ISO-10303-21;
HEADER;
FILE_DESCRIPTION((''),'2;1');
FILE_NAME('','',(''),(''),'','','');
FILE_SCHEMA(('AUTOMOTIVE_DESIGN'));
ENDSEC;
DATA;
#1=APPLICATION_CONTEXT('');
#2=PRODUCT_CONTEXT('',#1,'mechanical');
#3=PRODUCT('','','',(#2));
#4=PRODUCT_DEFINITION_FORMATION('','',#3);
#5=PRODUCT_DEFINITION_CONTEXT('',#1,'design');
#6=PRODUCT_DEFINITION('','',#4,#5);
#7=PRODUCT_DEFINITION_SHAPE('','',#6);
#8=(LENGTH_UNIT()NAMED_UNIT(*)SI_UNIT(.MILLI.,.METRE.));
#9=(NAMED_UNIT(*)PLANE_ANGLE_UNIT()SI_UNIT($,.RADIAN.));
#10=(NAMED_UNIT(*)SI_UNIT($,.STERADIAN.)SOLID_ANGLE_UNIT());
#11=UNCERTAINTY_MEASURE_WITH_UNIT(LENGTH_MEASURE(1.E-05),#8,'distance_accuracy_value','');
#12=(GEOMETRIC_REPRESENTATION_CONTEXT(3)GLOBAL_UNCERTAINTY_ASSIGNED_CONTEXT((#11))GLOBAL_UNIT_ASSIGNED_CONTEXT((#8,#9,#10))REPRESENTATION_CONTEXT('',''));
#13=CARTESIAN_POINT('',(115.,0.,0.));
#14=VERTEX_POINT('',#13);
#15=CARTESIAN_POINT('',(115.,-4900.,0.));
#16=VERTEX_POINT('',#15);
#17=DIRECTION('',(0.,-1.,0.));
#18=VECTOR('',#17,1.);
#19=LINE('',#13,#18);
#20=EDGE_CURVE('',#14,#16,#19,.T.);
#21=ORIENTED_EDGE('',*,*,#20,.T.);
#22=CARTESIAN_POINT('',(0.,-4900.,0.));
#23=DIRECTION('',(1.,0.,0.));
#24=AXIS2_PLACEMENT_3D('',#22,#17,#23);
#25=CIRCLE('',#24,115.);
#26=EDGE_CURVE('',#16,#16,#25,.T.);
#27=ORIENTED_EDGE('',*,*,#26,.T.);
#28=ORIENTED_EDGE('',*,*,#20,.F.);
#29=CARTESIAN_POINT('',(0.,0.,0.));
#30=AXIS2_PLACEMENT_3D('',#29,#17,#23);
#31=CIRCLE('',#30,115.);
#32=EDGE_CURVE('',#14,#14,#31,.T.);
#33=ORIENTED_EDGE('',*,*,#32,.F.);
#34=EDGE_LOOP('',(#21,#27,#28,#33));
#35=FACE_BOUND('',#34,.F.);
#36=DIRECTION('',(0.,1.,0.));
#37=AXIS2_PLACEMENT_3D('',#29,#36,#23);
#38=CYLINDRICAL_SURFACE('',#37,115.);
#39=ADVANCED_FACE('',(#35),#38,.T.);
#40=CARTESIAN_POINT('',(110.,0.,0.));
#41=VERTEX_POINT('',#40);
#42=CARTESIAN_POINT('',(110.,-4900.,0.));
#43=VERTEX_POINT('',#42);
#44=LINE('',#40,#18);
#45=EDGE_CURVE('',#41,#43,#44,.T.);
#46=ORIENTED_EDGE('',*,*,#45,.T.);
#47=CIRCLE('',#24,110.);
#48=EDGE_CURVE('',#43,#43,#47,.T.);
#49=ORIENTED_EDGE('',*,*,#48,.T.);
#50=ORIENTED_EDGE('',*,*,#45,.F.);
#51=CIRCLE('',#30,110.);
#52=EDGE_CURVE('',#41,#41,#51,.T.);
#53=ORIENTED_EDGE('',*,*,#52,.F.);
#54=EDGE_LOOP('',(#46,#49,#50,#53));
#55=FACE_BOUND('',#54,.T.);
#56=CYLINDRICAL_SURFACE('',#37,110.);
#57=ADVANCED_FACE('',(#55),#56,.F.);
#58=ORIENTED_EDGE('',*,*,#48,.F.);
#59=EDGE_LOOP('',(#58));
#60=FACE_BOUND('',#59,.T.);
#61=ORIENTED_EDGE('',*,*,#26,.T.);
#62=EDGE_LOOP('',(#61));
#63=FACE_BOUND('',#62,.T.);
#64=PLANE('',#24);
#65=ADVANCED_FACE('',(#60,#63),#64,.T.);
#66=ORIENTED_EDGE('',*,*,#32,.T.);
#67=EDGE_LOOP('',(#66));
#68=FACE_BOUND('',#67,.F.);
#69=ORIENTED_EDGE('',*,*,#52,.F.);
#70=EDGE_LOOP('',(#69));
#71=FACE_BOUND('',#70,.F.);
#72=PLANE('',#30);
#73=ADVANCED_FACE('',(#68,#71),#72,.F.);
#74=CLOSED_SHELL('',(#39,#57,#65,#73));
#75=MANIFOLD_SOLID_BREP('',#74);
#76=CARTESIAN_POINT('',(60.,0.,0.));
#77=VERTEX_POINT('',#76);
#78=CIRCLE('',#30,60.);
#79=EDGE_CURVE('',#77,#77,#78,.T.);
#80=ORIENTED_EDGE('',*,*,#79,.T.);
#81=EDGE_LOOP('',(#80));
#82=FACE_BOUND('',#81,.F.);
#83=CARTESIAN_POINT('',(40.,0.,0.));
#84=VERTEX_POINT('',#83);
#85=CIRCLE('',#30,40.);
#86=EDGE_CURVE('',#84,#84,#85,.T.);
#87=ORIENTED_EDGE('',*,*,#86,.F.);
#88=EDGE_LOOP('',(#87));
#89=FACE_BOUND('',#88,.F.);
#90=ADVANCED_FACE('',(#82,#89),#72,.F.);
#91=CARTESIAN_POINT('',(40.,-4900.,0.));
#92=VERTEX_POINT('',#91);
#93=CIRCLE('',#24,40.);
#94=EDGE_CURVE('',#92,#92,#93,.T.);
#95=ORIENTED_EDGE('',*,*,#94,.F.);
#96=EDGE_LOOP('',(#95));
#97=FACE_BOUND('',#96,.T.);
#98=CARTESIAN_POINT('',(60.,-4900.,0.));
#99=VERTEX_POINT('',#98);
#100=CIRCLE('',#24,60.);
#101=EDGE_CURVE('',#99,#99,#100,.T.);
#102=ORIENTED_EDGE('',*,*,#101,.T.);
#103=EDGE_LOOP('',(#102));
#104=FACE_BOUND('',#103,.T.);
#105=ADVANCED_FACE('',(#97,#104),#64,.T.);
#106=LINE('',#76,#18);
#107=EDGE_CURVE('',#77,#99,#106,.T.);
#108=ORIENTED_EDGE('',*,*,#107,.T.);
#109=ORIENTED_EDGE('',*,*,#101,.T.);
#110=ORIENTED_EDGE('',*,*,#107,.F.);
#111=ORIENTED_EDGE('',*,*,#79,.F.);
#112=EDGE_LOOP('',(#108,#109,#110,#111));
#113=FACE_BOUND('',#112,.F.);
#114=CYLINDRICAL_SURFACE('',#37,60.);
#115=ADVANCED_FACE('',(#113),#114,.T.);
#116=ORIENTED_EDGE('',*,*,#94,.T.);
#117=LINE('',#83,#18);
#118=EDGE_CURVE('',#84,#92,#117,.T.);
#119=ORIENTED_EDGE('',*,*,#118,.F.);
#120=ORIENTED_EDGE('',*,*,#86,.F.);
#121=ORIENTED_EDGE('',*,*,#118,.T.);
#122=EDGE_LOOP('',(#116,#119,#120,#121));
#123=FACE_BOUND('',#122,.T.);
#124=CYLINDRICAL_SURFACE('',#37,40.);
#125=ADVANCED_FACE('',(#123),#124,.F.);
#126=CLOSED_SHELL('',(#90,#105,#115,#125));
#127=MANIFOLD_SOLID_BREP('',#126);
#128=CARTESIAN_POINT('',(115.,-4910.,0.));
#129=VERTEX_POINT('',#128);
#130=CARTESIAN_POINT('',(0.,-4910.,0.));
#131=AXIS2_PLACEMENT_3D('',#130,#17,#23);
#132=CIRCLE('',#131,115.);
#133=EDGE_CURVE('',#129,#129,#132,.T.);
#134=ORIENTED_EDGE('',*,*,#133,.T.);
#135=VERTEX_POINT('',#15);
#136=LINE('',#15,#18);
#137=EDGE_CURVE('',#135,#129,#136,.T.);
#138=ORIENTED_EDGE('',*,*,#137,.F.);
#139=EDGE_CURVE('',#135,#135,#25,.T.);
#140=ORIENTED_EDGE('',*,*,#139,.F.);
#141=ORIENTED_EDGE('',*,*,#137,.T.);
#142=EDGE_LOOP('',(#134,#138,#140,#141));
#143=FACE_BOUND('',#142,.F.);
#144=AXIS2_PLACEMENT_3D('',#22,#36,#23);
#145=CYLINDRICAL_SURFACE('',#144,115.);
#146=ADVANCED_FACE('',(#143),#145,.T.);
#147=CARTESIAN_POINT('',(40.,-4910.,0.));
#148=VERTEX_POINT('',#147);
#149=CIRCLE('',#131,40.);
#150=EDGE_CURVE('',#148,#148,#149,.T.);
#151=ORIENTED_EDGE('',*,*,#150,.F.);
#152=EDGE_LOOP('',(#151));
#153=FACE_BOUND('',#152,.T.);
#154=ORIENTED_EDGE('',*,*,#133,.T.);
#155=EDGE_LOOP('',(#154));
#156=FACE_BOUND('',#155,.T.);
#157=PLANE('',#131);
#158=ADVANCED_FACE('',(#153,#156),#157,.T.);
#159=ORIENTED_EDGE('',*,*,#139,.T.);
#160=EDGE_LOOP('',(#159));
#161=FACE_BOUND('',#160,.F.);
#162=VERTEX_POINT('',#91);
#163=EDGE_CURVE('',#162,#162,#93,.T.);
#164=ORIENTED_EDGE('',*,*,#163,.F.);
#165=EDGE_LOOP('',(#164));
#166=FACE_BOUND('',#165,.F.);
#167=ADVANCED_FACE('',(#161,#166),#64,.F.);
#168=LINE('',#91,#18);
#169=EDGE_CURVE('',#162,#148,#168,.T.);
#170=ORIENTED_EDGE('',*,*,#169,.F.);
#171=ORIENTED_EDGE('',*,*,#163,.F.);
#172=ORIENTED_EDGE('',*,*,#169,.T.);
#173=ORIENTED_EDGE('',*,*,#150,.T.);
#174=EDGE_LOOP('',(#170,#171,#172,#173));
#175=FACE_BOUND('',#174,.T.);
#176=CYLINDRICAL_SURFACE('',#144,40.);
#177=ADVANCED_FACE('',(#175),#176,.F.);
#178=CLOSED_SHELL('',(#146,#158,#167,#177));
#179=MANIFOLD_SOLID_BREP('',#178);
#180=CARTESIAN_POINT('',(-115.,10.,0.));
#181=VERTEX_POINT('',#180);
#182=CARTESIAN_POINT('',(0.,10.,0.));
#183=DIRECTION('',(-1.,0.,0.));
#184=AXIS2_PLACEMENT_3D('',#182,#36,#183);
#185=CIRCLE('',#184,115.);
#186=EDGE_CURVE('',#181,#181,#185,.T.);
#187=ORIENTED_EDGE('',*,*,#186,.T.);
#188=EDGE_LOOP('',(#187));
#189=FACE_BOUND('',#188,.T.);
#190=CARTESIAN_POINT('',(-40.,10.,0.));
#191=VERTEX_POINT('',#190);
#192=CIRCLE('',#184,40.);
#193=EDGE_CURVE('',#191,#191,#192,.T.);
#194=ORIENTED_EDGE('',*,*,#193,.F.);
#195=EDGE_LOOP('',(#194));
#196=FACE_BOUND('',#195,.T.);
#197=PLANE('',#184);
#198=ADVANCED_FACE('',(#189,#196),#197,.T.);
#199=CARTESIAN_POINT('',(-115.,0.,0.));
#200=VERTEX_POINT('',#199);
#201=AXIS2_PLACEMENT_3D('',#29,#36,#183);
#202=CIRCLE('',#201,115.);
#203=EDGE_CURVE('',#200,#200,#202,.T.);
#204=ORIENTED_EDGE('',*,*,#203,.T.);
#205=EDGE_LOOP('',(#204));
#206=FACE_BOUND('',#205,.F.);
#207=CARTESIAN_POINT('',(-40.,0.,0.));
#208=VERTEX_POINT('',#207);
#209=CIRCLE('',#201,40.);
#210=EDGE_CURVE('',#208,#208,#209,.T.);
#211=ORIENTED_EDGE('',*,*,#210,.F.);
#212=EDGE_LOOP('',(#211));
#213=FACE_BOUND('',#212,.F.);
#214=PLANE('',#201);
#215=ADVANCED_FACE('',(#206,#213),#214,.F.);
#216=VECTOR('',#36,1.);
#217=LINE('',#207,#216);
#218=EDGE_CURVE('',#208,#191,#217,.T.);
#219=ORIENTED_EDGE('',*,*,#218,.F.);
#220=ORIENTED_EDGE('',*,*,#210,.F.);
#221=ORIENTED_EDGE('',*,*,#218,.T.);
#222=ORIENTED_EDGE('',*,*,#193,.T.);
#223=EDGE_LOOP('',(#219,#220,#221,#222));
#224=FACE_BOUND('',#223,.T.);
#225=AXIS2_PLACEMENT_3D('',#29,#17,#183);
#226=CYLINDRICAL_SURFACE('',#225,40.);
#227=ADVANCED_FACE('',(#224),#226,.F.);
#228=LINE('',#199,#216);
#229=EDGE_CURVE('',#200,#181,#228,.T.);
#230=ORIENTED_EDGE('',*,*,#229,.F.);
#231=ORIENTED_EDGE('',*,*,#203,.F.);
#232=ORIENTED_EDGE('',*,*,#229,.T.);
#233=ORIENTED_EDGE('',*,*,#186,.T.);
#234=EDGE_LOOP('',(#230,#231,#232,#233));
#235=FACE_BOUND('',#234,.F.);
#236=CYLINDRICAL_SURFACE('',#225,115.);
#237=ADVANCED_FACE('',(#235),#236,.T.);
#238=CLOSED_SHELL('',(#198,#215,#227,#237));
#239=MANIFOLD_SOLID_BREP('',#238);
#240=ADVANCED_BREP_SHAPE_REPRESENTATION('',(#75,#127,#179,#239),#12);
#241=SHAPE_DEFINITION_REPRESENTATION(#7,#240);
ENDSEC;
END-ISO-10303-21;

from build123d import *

# Parameters (mm, degrees)
F0_R     = 60
F0_R_2   = 40
F1_DEPTH = 4900
F0_R_3   = 115
F0_R_4   = 110
F2_R     = 115
F2_R_2   = 40
F3_DEPTH = 10
F4_R     = 115
F4_R_2   = 40
F5_DEPTH = 10


with BuildPart() as f1:
    # F0 (on Front) → F1 (new body)
    with BuildSketch(Plane.XZ):
        Circle(F0_R)
        Circle(F0_R_2, mode=Mode.SUBTRACT)
    extrude(amount=F1_DEPTH)


with BuildPart() as f1b:
    # F0 (on Front) → F1, piece 2 (new body)
    with BuildSketch(Plane.XZ):
        Circle(F0_R_3)
        Circle(F0_R_4, mode=Mode.SUBTRACT)
    extrude(amount=F1_DEPTH)


with BuildPart() as f3:
    # F2 (on face) → F3 (new body)
    with BuildSketch(Plane.XZ.offset(4900)):
        Circle(F2_R)
        Circle(F2_R_2, mode=Mode.SUBTRACT)
    extrude(amount=F3_DEPTH)


with BuildPart() as f5:
    # F4 (on face) → F5 (new body)
    with BuildSketch(Plane(origin=(0, 0, 0), x_dir=(-1, 0, 0), z_dir=(0, 1, 0))):
        Circle(F4_R)
        Circle(F4_R_2, mode=Mode.SUBTRACT)
    extrude(amount=F5_DEPTH)


solid = Compound([f1.part, f1b.part, f3.part, f5.part])
